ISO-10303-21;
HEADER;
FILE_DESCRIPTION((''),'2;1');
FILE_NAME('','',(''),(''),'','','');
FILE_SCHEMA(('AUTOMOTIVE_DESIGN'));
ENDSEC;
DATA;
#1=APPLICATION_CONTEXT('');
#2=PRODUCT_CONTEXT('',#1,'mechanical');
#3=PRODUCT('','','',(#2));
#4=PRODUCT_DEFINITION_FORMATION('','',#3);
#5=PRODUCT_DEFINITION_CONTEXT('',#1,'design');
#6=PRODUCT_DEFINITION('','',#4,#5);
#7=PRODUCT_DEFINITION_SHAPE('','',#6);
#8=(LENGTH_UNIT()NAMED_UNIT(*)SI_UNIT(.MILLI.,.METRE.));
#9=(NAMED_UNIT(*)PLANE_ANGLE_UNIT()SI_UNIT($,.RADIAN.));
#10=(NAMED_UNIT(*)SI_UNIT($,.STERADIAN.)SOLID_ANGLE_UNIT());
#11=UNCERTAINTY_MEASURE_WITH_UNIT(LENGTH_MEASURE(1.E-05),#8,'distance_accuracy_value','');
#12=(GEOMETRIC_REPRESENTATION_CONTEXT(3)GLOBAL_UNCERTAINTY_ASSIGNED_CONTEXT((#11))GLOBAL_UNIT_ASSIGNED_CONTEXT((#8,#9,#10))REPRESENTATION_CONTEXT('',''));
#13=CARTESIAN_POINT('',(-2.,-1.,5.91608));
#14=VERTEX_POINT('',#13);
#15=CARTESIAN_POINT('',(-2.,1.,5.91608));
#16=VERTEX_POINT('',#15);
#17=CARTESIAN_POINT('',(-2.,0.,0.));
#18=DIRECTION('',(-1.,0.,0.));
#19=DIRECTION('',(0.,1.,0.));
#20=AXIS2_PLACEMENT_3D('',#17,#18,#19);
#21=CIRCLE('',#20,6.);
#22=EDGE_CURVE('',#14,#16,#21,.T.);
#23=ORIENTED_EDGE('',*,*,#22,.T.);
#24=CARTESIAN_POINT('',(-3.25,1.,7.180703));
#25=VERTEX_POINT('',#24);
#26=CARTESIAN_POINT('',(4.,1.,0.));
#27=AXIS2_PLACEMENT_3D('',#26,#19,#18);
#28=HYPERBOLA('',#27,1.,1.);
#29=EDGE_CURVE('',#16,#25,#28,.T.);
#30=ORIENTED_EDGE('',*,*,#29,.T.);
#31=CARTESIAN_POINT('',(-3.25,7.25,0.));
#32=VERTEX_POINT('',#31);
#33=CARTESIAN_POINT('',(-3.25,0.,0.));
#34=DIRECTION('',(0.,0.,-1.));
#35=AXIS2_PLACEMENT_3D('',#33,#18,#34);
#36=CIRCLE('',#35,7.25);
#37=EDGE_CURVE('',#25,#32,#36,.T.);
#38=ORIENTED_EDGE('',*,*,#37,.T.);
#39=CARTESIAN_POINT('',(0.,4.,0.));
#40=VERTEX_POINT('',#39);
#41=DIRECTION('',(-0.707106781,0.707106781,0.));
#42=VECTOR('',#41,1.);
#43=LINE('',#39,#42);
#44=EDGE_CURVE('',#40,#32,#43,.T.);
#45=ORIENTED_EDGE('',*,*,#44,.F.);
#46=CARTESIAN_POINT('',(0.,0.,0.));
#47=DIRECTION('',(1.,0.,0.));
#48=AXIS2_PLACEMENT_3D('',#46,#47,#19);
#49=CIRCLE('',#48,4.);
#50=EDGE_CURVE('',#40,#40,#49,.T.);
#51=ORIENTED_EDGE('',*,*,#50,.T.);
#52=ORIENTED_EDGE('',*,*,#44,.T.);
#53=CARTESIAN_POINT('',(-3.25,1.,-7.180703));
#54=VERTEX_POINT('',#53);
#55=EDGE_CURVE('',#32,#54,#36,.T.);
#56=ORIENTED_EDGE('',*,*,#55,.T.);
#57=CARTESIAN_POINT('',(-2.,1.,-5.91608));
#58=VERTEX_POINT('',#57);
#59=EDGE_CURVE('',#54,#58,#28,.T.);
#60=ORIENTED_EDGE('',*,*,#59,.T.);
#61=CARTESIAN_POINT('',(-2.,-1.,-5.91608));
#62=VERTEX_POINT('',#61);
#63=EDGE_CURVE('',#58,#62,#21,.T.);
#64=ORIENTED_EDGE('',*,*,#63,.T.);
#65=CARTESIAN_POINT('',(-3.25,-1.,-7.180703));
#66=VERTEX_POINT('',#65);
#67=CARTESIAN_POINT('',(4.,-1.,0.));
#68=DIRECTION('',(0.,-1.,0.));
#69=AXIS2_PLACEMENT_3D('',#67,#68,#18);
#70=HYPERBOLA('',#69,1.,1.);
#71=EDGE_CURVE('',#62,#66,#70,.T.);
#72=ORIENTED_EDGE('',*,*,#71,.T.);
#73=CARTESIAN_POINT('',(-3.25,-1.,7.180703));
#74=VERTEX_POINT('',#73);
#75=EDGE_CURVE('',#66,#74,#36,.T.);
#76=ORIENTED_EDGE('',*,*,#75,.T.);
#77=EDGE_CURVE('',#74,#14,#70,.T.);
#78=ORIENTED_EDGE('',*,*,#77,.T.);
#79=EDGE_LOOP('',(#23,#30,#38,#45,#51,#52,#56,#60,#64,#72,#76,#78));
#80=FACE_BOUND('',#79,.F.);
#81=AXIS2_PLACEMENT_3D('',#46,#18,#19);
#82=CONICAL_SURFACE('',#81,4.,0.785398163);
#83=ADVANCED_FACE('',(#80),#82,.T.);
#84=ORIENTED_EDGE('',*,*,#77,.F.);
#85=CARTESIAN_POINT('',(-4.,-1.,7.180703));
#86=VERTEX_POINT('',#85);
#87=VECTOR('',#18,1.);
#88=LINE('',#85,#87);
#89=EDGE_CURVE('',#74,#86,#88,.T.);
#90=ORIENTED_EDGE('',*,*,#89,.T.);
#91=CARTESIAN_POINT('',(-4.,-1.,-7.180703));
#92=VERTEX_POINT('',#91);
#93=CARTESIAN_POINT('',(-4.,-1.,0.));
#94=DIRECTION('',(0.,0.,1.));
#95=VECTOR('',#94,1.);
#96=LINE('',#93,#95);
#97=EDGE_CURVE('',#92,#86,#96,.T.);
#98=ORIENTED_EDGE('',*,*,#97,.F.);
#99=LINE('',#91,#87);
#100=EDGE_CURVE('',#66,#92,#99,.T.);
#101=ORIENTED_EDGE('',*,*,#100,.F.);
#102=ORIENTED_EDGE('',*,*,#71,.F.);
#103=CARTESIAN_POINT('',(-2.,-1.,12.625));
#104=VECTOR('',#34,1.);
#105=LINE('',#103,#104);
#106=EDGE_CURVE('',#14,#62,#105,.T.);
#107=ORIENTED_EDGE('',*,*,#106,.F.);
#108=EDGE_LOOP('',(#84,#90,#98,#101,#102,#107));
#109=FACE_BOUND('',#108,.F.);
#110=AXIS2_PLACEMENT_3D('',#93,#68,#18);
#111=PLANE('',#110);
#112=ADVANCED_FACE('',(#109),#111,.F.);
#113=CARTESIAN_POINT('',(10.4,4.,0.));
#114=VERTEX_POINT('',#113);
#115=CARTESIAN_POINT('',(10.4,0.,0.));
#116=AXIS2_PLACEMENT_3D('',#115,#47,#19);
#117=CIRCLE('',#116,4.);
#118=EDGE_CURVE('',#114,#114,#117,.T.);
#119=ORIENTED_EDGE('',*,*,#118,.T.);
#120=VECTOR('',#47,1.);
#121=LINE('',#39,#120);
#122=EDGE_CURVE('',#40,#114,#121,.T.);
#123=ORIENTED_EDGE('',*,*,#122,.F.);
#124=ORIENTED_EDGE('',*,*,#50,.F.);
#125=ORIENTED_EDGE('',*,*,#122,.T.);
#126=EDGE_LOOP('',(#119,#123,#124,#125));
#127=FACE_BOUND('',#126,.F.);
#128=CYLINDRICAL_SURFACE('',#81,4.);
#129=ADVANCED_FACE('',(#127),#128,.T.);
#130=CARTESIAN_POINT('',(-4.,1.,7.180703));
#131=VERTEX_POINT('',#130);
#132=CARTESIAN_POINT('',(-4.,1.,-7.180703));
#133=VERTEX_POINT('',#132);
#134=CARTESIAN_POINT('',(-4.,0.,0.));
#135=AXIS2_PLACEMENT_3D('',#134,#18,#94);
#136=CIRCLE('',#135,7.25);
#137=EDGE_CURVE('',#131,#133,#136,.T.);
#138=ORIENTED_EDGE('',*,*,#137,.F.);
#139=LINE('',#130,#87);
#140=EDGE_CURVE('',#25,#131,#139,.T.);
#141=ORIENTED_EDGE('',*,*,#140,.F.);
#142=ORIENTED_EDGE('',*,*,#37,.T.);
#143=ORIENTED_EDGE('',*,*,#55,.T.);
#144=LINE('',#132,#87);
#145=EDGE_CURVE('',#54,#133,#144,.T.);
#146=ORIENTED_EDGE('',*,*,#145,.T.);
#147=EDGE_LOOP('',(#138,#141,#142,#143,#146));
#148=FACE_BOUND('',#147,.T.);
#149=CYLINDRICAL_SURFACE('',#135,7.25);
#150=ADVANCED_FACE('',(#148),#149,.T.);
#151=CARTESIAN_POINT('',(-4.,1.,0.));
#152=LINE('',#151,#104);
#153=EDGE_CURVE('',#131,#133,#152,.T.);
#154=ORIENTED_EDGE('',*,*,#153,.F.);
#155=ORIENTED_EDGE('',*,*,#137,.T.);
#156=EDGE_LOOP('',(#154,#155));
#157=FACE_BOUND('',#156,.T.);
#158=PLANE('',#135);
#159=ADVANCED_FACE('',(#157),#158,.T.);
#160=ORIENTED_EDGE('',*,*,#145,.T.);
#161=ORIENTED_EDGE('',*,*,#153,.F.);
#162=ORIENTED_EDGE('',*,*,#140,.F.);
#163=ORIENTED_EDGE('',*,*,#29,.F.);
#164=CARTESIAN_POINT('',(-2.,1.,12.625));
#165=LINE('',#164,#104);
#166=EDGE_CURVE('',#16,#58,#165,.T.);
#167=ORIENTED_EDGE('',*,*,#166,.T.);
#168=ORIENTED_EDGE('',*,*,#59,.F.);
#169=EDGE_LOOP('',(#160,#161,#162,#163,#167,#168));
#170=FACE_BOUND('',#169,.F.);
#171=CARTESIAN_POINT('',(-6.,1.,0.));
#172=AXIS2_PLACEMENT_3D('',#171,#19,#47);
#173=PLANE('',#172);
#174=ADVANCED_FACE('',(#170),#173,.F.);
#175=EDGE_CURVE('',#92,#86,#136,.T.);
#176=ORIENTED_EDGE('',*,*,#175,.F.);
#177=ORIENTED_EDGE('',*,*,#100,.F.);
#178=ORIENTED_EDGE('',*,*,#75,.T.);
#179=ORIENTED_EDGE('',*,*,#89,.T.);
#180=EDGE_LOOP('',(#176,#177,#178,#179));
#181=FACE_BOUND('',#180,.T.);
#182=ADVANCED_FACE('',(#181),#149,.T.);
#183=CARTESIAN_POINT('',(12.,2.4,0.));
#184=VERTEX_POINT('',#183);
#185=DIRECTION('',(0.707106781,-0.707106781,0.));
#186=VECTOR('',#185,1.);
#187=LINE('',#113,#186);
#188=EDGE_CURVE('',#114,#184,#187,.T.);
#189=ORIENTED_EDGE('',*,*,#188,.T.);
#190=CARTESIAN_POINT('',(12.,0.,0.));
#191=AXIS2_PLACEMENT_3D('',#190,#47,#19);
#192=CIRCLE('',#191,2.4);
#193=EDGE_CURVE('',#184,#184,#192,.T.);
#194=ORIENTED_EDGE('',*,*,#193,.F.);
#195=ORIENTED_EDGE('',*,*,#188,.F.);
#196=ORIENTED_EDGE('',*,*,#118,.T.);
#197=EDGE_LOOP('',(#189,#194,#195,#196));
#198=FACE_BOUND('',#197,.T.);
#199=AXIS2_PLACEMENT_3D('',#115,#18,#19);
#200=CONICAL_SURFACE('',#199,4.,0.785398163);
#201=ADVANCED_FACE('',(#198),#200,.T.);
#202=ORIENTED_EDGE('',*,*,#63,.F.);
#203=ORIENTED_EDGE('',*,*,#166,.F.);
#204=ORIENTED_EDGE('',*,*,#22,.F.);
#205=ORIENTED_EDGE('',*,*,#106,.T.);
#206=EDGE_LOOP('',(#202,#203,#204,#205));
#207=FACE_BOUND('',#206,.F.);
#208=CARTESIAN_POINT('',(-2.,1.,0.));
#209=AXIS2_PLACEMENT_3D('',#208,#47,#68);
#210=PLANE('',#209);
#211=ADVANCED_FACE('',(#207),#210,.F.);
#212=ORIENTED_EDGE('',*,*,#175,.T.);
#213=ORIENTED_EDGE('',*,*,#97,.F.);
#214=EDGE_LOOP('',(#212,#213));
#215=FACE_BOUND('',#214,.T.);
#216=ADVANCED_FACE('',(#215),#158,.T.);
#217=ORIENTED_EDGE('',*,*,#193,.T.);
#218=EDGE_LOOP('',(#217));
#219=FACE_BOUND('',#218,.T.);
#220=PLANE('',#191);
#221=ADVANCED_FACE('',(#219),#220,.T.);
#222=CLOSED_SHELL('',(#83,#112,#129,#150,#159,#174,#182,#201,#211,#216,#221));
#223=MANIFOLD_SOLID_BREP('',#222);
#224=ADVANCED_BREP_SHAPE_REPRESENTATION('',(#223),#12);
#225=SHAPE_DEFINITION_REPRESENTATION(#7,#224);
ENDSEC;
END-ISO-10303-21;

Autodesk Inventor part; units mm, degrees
ref_plane "YZ Plane" through (0, 0, 0) normal (1, 0, 0) x (0, 1, 0)
ref_plane "XZ Plane" through (0, 0, 0) normal (0, 1, 0) x (-1, 0, 0)
ref_plane "XY Plane" through (0, 0, 0) normal (0, 0, 1) x (1, 0, 0)
sketch "Эскиз1" plane through (0, 0, 0) normal (1, 0, 0) x (0, 1, 0)
  circle A0 centre (0, 0) radius 4
  dimension "d0" = 8
extrude "Выдавливание1" add sketch "Эскиз1" along normal blind 12
chamfer "Фаска1" distance 1.6 angle 45 1 edges at (12, -4, 0)
thread "Резьба1" size "M8x1.25" class "6g" standard "ANSI Metric M Profile" full length
sketch "Эскиз2" plane through (0, 0, 0) normal (0, 0, 1) x (1, 0, 0)
  line L0 (0, 4) -> (0, -4) projected
  line L1 (0, 0) -> (0, 4)
  line L2 (0, 4) -> (-4, 8)
  line L3 (0, 4) -> (5.6569, 4) construction
  line L4 (-4, 8) -> (-4, 4)
  line L5 (-4, 0) -> (0, 0)
  line L6 (0, 4) -> (0, 0)
  line L7 (-4, 0) -> (-4, 4)
  dimension "d8" = 4
  dimension "d9" = 135
revolve "Вращение1" add sketch "Эскиз2" angle 360 about axis through (-4, 0, 0) along (1, 0, 0)
sketch "Эскиз3" plane through (-4, 0, 0) normal (-1, 0, 0) x (0, 0, 1)
  circle A0 centre (0, 0) radius 7.25
  dimension "d11" = 14.5
extrude "Выдавливание2" cut sketch "Эскиз3" against normal blind 25.25 keep common part
sketch "Эскиз4" plane through (0, 0, 0) normal (0, 0, 1) x (1, 0, 0)
  line L0 (-6, 1) -> (-2, 1)
  line L1 (-2, 1) -> (-2, -1)
  line L2 (-2, -1) -> (-6, -1)
  line L3 (-6, -1) -> (-6, 1)
  line L4 (-4, -7.25) -> (-4, 7.25) projected
  line L5 (-6, 1) -> (-2, -1) construction
  line L6 (-2, 1) -> (-6, -1) construction
  point P0 (0, 0)
  point P1 (-4, 0)
  dimension "d14" = 4
  dimension "d15" = 2
extrude "Выдавливание3" cut sketch "Эскиз4" along normal mid plane 25.25
properties part number "винт"
